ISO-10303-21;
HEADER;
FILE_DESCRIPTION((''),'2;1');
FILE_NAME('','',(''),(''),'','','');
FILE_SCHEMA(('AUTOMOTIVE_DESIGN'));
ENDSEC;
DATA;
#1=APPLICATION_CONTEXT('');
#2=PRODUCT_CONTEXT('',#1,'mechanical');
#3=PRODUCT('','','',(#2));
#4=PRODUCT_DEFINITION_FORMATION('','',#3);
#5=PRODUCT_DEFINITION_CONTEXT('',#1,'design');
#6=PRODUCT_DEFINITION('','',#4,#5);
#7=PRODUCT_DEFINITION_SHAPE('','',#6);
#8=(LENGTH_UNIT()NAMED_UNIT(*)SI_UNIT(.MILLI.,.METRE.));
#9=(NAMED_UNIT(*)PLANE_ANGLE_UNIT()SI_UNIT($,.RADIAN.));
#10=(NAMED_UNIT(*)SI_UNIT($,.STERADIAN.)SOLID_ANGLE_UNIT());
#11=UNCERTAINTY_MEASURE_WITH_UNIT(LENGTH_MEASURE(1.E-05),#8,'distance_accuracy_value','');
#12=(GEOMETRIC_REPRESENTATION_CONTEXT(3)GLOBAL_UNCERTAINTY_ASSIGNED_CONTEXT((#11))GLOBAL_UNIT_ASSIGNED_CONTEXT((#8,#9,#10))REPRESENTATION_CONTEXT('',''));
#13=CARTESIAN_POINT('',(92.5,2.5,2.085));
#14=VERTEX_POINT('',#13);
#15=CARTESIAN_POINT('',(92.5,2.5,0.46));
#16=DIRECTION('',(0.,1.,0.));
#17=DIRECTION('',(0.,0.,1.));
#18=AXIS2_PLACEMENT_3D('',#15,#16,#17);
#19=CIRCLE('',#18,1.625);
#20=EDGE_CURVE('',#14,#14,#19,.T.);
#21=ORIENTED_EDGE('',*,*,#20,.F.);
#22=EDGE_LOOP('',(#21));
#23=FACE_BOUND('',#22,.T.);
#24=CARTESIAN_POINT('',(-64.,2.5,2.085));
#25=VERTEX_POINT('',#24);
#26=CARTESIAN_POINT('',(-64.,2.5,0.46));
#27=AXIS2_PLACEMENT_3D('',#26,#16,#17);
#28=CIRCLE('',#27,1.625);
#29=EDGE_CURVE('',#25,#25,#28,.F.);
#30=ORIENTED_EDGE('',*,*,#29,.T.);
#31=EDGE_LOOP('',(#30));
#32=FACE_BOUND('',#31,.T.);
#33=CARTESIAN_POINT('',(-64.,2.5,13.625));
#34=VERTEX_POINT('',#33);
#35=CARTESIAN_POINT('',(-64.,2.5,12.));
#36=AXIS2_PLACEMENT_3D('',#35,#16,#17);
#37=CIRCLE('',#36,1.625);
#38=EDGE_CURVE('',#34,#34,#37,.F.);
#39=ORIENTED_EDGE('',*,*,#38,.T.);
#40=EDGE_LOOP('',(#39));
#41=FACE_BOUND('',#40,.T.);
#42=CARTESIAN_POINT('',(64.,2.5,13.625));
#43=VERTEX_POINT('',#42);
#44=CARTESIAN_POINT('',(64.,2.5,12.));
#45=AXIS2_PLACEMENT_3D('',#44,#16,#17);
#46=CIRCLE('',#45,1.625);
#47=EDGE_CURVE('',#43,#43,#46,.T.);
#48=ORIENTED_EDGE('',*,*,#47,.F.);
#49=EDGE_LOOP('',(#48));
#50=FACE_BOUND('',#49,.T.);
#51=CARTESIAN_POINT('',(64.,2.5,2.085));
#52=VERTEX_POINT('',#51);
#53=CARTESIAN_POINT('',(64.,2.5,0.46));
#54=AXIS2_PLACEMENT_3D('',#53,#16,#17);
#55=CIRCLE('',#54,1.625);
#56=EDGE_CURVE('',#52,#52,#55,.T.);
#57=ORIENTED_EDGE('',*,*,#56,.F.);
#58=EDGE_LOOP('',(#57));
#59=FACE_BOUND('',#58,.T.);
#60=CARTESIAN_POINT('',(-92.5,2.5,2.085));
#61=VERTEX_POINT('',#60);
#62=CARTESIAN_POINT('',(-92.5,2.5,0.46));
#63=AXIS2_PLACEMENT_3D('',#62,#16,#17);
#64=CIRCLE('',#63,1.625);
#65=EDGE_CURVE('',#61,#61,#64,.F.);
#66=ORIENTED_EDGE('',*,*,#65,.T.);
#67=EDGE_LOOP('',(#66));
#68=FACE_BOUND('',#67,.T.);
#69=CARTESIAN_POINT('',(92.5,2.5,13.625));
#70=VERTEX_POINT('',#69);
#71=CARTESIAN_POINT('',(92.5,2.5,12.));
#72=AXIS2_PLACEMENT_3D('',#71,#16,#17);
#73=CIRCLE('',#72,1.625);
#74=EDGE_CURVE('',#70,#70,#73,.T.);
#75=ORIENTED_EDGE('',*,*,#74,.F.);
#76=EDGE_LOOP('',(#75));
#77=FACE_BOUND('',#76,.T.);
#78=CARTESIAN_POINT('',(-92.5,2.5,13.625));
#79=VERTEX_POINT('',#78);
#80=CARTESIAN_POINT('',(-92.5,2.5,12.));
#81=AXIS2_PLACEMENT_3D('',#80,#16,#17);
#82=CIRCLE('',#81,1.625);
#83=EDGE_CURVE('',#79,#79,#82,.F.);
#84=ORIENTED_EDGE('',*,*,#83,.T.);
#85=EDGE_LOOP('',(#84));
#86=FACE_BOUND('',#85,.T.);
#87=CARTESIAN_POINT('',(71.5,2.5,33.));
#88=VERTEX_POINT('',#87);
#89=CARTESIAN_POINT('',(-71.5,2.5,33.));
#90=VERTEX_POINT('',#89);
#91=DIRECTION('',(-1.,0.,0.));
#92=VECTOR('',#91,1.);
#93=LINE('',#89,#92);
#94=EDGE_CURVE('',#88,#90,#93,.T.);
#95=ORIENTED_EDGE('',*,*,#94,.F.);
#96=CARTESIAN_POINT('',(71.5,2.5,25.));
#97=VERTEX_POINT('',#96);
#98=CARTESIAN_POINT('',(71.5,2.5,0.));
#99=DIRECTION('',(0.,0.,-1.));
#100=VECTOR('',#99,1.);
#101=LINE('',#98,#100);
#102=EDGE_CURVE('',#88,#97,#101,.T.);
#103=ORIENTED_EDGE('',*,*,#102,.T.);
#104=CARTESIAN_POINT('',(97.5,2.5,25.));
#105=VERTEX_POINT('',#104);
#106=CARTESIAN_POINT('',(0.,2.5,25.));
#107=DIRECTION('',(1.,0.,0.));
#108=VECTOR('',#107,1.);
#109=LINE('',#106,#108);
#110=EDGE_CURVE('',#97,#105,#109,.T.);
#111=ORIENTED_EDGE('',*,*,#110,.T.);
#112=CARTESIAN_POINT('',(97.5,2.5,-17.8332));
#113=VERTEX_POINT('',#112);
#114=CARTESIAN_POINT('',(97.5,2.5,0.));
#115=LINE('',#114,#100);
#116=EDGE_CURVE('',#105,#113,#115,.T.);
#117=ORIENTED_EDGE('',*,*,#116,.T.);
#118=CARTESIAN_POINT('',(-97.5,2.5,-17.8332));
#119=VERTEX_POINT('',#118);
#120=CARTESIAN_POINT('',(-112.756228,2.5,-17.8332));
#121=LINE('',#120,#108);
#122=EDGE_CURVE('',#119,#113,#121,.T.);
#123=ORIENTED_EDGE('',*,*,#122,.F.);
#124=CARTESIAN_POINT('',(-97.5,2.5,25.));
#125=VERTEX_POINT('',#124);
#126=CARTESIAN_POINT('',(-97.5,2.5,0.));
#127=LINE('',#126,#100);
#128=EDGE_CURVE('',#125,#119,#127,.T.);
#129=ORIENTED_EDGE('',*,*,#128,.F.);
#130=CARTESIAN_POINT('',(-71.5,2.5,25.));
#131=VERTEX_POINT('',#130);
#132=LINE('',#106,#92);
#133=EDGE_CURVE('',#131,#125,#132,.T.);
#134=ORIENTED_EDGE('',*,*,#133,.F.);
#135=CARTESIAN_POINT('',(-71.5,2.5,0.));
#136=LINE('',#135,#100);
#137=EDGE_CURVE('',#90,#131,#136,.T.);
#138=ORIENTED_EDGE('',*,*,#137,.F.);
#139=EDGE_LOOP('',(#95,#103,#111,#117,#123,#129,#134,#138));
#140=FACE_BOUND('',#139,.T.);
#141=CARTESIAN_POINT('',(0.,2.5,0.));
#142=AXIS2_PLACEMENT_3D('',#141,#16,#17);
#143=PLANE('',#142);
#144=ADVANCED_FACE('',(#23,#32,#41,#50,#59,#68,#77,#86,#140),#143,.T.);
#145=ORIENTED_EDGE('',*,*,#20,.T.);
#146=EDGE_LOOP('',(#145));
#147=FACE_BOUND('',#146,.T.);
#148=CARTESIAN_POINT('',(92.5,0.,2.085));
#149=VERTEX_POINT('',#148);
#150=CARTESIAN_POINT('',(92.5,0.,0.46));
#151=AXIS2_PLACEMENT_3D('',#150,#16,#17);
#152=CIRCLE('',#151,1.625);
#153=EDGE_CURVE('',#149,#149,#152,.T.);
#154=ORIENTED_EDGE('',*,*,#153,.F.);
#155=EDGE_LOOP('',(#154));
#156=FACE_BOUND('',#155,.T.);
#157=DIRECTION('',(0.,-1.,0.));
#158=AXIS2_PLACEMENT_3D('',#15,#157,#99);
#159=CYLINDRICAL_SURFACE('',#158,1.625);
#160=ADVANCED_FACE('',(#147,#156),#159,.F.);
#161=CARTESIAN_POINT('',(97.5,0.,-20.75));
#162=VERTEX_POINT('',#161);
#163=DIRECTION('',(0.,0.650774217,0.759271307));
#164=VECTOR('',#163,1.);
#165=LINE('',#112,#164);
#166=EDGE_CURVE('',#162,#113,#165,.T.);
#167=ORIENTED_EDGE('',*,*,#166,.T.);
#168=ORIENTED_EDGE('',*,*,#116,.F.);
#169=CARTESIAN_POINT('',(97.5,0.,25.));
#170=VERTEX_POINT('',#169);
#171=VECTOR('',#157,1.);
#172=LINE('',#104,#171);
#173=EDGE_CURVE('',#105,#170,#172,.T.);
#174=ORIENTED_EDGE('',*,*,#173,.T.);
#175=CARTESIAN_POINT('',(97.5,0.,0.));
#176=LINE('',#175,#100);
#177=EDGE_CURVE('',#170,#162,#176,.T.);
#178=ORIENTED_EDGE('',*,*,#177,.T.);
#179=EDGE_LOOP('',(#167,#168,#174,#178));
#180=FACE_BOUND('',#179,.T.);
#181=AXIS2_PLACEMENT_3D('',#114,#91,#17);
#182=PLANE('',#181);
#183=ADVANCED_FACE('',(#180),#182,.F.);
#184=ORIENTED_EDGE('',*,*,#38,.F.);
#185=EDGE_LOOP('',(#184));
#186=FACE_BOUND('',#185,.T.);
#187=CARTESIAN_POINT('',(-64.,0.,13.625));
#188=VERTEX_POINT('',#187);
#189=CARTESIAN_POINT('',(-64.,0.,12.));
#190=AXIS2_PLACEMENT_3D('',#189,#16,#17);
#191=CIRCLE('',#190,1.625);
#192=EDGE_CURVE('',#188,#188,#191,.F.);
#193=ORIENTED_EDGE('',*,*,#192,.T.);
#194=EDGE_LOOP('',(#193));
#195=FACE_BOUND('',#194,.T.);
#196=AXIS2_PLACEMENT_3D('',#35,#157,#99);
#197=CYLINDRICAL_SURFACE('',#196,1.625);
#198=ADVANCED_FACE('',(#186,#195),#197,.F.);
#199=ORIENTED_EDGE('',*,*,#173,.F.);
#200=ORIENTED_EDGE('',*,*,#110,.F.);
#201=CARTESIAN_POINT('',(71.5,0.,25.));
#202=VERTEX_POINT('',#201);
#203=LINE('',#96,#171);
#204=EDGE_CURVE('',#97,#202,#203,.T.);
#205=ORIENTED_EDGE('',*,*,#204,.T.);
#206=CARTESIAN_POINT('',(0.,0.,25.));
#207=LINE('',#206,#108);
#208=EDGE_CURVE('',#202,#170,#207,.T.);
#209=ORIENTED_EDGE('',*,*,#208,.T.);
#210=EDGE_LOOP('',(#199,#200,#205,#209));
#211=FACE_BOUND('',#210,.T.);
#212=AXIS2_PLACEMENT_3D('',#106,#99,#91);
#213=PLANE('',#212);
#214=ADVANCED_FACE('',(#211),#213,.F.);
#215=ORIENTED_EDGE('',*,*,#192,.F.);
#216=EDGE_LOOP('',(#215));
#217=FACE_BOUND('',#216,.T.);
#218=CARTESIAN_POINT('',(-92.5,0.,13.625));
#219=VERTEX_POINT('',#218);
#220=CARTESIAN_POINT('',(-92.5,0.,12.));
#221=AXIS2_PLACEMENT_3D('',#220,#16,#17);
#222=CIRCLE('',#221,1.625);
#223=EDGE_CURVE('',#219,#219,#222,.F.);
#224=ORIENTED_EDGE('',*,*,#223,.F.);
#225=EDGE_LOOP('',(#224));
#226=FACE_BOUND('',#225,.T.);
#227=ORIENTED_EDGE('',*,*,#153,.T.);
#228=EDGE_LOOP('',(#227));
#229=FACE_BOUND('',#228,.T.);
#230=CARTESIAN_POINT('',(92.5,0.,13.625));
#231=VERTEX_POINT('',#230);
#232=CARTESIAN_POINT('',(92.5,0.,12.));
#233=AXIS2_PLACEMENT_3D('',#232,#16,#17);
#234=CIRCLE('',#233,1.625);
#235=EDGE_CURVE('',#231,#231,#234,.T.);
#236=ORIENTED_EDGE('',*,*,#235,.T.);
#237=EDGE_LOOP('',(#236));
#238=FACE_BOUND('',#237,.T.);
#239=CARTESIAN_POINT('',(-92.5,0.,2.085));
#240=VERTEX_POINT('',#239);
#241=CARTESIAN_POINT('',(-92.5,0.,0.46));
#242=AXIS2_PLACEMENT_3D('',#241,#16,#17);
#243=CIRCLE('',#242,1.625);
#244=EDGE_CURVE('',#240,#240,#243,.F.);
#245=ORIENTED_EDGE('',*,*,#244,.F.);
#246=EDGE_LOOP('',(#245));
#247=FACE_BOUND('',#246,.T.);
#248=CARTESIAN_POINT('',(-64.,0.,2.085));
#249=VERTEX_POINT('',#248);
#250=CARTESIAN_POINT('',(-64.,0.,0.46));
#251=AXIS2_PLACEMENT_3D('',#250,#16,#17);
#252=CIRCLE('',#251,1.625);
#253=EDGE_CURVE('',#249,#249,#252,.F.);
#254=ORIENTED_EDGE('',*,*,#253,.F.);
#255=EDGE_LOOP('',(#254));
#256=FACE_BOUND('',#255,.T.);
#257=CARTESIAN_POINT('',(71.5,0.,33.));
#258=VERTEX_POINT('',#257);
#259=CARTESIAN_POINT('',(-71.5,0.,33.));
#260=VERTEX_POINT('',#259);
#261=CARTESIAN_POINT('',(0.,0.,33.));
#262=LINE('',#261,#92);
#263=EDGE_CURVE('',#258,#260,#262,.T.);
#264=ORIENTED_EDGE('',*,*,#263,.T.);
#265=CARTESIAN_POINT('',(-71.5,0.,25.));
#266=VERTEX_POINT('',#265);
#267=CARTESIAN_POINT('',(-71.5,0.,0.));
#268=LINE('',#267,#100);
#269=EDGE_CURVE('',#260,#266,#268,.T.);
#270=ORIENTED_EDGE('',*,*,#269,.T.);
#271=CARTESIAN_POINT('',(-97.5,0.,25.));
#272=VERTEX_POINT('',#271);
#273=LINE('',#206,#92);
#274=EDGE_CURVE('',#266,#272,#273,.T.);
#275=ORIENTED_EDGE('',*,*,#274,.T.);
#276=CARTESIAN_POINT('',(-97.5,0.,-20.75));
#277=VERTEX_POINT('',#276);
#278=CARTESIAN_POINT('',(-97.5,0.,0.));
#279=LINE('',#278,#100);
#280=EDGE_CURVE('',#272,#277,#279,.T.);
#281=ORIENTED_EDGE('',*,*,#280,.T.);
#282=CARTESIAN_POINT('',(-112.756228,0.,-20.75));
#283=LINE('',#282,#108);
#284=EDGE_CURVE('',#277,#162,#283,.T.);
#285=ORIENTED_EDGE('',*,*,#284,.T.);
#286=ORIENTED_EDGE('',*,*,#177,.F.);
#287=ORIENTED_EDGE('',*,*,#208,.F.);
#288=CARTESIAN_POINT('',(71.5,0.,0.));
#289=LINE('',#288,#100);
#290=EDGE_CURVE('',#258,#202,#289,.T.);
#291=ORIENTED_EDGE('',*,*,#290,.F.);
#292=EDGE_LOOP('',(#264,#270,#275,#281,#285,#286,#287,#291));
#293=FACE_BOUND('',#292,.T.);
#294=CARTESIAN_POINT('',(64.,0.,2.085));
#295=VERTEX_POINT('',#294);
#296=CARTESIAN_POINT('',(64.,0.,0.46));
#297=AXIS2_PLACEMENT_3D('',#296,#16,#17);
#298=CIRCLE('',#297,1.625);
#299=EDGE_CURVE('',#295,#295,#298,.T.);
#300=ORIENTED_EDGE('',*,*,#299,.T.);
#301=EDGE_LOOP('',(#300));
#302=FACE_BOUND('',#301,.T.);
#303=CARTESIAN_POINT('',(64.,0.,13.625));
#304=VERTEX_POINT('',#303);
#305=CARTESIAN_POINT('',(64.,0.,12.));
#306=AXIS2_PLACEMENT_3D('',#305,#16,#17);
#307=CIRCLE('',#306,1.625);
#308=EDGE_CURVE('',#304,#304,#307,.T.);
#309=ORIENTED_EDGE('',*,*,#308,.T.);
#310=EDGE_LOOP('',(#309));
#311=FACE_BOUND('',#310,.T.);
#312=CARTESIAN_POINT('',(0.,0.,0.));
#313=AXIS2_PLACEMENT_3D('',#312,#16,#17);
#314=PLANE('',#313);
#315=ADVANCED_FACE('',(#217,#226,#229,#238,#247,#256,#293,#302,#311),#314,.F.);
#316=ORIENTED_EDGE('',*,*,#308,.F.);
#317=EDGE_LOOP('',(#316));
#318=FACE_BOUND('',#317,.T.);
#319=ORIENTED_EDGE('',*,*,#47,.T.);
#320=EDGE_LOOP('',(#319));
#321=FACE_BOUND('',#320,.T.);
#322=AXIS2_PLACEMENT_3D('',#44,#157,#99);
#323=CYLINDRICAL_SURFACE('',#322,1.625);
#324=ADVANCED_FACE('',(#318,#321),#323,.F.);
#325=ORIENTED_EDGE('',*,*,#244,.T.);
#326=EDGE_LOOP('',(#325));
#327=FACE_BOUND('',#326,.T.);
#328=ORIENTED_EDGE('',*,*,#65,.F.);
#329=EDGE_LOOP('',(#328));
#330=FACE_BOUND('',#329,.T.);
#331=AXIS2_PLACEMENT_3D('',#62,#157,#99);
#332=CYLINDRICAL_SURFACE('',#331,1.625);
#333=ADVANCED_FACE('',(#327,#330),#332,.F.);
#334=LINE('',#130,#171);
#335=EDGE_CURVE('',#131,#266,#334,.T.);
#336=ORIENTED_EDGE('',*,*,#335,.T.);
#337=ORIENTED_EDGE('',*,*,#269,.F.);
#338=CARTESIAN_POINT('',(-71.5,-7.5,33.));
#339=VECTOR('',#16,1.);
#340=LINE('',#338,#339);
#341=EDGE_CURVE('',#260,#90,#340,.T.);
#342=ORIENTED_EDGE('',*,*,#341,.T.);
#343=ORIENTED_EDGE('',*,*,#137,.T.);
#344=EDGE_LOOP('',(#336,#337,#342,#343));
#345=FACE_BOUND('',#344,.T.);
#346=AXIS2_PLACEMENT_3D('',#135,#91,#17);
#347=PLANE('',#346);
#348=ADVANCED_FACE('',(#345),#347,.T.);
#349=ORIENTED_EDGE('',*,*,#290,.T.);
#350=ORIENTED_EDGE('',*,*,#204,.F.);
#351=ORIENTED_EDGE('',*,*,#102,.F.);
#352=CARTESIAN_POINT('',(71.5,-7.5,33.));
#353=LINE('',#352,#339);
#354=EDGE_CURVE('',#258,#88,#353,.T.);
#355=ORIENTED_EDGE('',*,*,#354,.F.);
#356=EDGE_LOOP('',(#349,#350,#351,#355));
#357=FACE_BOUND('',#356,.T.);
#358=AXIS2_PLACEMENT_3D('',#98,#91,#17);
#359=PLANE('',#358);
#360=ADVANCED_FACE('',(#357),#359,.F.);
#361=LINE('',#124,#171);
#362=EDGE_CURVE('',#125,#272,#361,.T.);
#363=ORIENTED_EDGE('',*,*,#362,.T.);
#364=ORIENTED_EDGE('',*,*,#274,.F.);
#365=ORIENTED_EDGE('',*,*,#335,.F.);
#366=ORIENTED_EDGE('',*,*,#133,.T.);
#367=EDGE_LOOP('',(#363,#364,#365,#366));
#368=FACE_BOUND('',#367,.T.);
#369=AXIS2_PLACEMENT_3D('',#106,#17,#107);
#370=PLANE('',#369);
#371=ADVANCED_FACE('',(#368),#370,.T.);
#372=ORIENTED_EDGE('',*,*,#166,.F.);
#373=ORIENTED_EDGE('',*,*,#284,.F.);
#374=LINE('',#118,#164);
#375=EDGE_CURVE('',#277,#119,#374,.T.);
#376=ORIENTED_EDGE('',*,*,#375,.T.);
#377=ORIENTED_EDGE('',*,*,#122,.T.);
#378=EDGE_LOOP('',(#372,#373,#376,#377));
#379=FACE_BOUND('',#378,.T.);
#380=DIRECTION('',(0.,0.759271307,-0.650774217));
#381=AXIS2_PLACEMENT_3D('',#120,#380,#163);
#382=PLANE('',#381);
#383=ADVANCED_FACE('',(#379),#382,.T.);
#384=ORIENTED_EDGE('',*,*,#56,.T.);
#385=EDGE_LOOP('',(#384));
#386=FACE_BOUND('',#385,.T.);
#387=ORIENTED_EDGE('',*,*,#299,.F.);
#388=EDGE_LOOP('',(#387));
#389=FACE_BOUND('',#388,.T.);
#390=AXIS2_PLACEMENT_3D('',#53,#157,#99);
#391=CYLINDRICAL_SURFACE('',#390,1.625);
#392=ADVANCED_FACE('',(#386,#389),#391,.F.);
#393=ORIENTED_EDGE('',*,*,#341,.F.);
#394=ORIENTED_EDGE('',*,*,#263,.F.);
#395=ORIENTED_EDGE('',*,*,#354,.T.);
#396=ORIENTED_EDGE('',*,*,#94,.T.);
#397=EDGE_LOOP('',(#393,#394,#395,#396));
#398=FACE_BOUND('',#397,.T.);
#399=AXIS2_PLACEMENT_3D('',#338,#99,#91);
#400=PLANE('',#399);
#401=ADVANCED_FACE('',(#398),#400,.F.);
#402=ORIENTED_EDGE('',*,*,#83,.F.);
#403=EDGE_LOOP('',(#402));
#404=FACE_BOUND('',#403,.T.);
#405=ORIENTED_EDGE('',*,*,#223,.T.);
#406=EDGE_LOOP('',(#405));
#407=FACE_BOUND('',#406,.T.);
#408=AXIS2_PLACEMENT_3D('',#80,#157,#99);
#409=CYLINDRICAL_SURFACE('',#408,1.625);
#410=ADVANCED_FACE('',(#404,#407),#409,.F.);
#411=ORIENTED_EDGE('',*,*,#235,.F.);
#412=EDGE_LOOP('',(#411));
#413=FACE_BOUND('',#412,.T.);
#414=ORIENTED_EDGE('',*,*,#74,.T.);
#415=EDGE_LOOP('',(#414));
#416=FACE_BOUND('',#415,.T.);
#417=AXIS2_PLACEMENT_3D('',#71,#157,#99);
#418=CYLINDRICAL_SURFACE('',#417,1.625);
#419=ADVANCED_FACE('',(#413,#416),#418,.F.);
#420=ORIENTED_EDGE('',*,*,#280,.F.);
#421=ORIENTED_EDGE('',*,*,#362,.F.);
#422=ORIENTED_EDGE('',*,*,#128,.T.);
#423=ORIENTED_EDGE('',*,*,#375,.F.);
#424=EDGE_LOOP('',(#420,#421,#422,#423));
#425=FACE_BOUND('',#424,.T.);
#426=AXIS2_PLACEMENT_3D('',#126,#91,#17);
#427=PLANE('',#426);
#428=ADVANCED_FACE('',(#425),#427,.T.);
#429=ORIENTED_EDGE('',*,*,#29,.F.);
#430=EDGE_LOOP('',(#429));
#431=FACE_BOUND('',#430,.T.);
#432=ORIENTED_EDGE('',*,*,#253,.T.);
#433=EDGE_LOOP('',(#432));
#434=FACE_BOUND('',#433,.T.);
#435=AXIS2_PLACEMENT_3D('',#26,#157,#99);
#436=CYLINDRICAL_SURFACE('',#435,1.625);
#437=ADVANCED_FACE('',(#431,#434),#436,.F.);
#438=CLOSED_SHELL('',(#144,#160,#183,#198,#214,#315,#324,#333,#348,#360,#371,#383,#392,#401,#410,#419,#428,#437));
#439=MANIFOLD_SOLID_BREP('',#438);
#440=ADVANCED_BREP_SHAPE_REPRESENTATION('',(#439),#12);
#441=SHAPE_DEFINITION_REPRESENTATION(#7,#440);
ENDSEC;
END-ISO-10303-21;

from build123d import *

# Parameters (mm, degrees)
CROQUIS1_R              = 1.625
CUERPO_INICIAL_DEPTH    = 2.5
SALIENTE_EXTRUIR2_DEPTH = 195
CROQUIS6_W              = 143
CROQUIS6_H              = 28
CORTAR_EXTRUIR1_DEPTH   = 10


with BuildPart() as part:
    # Croquis1 → Cuerpo Inicial (new body)
    with BuildSketch(Plane(origin=(0, 0, 0), x_dir=(1, 0, 0), z_dir=(0, 1, 0))):
        Polygon((-71.5, -25), (-71.5, -61), (71.5, -61), (71.5, -25), (97.5, -25), (97.5, 0), (97.5, 1), (97.5, 5.7), (45, 5.7), (-45, 5.7), (-97.5, 5.7), (-97.5, 1), (-97.5, 0), (-97.5, -25), align=None)
        with Locations((-92.5, -12)):
            Circle(CROQUIS1_R, mode=Mode.SUBTRACT)
        with Locations((-64, -12)):
            Circle(CROQUIS1_R, mode=Mode.SUBTRACT)
        with Locations((-92.5, -0.46)):
            Circle(CROQUIS1_R, mode=Mode.SUBTRACT)
        with Locations((-64, -0.46)):
            Circle(CROQUIS1_R, mode=Mode.SUBTRACT)
        with Locations((64, -12)):
            Circle(CROQUIS1_R, mode=Mode.SUBTRACT)
        with Locations((92.5, -12)):
            Circle(CROQUIS1_R, mode=Mode.SUBTRACT)
        with Locations((64, -0.46)):
            Circle(CROQUIS1_R, mode=Mode.SUBTRACT)
        with Locations((92.5, -0.46)):
            Circle(CROQUIS1_R, mode=Mode.SUBTRACT)
    extrude(amount=CUERPO_INICIAL_DEPTH)

    # Croquis3 → Saliente-Extruir2 (add)
    with BuildSketch(Plane(origin=(97.5, 0, 0), x_dir=(0, 0, -1), z_dir=(1, 0, 0))):
        Polygon((5.7, 2.5), (17.833199952, 2.5), (20.75, 0), (5.7, 0), align=None)
    extrude(amount=-SALIENTE_EXTRUIR2_DEPTH)

    # Croquis6 → Cortar-Extruir1 (cut)
    with BuildSketch(Plane(origin=(0, 2.5, 0), x_dir=(1, 0, 0), z_dir=(0, 1, 0))):
        with Locations((0, -47)):
            Rectangle(CROQUIS6_W, CROQUIS6_H)
    extrude(amount=-CORTAR_EXTRUIR1_DEPTH, mode=Mode.SUBTRACT)


solid = part.part
